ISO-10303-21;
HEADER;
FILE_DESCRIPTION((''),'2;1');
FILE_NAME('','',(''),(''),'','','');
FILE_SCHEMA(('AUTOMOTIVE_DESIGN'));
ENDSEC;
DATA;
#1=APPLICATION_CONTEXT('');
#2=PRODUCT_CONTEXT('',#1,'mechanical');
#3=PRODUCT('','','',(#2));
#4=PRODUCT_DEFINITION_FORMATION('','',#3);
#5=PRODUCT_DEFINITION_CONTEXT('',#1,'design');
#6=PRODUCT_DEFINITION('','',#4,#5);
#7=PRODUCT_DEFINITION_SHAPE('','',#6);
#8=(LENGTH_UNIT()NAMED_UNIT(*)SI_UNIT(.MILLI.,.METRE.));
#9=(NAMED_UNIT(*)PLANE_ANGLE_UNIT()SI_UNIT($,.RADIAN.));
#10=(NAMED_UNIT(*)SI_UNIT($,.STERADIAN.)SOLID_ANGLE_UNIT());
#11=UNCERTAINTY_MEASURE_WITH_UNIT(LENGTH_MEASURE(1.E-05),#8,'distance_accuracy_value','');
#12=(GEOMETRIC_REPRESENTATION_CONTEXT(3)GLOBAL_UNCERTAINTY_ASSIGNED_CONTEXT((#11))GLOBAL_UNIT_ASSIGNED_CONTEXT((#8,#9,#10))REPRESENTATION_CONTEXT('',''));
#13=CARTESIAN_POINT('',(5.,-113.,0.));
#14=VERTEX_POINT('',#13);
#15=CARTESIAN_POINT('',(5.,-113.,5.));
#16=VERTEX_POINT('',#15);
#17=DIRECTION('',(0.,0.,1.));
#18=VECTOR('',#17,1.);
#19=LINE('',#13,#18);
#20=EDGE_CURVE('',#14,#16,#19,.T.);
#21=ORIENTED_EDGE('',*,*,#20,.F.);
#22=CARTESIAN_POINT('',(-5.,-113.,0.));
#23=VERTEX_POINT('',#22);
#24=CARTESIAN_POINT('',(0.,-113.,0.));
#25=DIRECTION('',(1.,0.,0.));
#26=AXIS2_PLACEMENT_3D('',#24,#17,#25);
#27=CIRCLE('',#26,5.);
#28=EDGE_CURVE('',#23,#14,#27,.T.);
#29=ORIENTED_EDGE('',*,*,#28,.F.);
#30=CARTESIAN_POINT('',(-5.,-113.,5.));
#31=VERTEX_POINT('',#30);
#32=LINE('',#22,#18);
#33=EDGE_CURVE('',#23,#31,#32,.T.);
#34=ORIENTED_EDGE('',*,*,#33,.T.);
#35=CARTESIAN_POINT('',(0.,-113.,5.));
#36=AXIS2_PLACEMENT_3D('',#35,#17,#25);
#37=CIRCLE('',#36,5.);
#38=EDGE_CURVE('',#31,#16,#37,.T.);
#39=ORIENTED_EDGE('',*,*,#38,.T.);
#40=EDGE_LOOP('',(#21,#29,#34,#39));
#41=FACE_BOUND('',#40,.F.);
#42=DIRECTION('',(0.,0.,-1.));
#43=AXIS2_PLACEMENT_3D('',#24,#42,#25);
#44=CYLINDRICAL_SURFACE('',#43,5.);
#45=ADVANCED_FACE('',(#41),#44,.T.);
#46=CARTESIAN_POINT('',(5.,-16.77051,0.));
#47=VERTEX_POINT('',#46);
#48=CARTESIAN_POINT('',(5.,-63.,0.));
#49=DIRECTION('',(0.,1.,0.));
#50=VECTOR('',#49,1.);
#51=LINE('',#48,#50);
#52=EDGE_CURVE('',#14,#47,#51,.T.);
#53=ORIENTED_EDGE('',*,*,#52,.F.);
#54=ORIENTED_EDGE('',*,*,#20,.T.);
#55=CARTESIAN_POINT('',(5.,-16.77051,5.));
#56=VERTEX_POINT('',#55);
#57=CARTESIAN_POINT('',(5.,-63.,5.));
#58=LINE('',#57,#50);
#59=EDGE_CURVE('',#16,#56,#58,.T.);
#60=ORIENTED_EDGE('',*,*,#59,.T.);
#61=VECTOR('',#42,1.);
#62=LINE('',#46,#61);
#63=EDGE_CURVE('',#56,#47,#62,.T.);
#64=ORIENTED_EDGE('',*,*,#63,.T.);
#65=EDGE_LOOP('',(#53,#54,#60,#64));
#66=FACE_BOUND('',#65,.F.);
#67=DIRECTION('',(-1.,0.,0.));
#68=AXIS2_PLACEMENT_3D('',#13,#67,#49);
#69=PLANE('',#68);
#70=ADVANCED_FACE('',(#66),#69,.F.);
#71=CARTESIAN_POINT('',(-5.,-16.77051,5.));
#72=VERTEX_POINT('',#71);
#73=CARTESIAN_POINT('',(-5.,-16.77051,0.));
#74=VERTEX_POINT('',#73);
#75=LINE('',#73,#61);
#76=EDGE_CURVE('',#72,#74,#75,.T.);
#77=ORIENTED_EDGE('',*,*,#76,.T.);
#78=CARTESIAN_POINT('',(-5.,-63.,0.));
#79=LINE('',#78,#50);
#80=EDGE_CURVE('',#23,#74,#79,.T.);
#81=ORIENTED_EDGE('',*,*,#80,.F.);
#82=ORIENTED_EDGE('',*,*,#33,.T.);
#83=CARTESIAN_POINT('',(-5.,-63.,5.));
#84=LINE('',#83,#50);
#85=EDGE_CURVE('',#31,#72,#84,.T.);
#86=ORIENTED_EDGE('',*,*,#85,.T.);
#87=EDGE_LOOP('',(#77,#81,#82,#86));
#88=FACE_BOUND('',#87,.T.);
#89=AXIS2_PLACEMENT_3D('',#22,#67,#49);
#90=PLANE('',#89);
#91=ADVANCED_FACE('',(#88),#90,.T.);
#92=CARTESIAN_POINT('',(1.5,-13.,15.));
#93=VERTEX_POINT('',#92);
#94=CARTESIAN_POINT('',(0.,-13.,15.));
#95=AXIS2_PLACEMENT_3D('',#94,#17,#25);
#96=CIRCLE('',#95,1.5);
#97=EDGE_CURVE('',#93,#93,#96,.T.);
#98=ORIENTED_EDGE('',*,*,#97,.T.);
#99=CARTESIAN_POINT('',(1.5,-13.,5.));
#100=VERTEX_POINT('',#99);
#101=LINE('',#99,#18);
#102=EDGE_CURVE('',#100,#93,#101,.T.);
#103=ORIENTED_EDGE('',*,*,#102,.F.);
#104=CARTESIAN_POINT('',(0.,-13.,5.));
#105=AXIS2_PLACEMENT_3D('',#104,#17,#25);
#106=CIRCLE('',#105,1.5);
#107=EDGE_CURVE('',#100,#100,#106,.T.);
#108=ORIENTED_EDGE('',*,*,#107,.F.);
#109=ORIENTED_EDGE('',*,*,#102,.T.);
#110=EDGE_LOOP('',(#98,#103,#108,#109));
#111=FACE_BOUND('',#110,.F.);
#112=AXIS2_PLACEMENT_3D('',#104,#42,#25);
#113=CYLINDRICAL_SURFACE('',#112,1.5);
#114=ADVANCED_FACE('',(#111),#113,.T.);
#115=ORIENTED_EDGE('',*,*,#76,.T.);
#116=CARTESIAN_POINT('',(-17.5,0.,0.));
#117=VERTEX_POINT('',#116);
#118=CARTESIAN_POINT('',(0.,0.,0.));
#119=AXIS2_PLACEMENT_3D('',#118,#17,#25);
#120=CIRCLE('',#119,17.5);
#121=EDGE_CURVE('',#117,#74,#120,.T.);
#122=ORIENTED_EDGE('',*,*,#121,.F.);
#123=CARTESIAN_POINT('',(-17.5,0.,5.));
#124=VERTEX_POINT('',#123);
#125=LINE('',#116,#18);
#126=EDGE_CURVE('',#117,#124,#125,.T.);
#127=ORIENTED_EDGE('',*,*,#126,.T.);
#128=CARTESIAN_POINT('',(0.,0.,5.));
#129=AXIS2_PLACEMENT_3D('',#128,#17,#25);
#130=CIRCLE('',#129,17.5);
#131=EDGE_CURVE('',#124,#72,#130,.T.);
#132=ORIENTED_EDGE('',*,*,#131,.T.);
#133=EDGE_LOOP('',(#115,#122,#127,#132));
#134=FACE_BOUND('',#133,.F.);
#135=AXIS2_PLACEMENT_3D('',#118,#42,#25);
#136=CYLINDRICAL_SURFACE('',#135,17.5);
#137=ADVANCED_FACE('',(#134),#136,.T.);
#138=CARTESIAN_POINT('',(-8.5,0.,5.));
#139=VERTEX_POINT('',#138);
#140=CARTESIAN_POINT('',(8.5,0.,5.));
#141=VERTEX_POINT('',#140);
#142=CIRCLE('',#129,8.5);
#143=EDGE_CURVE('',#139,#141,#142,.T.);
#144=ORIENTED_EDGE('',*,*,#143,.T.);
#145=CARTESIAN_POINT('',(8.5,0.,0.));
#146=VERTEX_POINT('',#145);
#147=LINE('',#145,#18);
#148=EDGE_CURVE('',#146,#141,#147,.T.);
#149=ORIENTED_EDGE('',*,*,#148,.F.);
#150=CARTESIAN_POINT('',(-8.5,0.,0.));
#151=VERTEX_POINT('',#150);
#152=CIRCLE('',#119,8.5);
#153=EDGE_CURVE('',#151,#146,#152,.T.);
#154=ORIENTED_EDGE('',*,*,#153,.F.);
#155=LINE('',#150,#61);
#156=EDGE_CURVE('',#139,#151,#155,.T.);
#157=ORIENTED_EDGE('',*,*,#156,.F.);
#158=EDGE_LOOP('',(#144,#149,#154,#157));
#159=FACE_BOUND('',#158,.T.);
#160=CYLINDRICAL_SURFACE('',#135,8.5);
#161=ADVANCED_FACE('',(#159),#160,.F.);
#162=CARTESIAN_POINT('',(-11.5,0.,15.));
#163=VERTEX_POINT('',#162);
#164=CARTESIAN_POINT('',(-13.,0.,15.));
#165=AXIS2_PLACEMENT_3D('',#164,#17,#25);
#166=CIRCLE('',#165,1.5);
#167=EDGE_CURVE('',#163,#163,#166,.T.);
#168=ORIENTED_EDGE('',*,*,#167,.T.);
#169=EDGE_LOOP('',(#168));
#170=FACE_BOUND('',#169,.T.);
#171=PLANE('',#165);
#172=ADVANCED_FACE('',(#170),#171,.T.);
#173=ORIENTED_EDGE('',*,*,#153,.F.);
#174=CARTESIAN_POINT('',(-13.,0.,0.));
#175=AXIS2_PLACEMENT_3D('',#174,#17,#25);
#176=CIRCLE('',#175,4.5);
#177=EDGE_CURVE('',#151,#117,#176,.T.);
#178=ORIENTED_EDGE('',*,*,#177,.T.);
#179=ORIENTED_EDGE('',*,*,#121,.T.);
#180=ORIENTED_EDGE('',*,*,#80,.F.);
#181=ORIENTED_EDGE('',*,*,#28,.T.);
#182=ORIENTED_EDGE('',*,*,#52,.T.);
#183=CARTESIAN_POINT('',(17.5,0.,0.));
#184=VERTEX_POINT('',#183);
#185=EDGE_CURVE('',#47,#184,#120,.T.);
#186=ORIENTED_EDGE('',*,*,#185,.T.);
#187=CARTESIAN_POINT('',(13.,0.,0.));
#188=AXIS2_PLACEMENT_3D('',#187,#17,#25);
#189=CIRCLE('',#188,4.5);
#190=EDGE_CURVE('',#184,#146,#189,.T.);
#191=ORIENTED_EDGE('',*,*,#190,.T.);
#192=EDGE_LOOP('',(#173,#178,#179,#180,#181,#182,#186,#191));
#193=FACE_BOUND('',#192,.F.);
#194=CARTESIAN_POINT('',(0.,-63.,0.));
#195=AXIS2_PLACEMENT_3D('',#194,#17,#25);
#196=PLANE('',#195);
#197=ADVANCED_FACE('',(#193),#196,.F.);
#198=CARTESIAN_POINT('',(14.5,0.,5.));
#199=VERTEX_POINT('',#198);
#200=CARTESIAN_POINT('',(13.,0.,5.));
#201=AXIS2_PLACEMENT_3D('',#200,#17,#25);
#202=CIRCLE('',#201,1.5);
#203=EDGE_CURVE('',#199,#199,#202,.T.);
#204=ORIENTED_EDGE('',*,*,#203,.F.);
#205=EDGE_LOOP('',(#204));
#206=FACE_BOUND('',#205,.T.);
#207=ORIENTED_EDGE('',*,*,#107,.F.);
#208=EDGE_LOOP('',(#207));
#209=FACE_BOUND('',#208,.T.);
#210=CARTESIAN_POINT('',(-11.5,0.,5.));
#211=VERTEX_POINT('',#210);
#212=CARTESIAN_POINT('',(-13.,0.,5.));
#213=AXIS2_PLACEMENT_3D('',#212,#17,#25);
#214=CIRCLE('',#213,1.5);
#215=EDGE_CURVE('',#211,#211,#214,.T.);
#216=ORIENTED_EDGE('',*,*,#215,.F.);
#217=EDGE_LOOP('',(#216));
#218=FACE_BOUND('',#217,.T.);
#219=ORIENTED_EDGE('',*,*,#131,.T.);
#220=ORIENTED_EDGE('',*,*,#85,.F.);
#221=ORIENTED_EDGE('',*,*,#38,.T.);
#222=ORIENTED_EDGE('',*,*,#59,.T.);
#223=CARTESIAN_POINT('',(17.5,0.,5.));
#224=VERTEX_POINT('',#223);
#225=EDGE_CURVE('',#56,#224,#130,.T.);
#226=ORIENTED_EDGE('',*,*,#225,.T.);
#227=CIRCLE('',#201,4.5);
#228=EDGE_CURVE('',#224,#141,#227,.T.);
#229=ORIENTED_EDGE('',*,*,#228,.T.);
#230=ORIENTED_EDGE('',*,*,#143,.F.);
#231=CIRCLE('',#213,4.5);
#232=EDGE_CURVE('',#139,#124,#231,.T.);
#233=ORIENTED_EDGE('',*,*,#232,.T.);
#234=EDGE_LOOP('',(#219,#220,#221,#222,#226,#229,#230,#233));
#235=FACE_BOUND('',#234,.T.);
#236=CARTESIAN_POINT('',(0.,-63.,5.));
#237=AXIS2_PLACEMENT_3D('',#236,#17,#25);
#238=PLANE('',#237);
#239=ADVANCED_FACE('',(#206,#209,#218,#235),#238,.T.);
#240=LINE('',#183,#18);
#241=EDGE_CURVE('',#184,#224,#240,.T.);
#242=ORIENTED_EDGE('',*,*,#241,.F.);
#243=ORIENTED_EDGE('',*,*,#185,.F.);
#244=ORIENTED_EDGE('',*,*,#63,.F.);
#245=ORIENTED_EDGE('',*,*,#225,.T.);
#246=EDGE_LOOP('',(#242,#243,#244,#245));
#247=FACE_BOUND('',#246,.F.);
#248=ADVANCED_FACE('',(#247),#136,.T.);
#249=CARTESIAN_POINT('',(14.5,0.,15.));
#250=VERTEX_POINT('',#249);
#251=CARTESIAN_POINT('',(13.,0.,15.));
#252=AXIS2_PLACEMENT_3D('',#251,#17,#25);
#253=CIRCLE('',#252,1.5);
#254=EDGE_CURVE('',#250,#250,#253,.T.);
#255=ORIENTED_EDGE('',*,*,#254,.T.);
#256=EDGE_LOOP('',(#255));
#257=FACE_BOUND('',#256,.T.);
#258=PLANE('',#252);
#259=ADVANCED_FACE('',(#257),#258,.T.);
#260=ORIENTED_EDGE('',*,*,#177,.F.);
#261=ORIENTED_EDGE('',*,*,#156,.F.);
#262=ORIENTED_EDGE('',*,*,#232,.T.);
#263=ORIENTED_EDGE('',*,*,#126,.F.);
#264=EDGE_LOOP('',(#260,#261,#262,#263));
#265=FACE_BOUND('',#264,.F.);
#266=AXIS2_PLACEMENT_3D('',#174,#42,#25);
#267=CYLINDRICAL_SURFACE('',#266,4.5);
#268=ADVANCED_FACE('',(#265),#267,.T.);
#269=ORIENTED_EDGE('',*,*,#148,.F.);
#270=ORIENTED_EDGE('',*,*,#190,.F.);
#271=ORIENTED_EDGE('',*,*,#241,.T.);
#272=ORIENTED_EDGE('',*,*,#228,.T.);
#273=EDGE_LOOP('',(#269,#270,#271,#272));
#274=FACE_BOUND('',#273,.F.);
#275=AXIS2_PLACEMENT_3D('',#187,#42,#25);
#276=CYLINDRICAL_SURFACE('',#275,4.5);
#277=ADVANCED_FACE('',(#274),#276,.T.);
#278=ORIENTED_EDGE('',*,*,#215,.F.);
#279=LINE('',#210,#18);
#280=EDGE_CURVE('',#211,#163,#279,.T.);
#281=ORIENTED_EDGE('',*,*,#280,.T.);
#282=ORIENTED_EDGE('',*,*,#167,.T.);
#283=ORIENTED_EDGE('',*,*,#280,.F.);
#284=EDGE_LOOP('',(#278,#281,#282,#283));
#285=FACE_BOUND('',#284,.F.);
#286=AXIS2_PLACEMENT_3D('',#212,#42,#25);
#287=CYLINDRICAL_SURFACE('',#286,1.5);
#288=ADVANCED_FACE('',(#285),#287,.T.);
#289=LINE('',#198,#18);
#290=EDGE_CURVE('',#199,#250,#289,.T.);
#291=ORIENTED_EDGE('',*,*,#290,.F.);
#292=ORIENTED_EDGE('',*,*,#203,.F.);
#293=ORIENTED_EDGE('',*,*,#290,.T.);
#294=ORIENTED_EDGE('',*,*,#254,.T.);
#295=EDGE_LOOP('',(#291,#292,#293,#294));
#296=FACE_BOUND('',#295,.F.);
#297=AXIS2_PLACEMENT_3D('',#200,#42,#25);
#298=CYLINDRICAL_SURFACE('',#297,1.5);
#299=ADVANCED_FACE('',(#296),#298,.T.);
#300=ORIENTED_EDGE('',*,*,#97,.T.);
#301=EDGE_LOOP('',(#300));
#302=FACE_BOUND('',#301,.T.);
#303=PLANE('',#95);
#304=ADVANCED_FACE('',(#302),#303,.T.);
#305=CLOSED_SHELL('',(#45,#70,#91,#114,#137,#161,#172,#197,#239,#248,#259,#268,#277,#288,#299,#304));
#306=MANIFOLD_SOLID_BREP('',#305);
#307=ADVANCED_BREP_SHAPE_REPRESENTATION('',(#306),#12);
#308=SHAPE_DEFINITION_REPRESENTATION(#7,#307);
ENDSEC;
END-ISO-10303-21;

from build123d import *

# Parameters (mm, degrees)
BOX001_W          = 10
BOX001_H          = 100
BOX001_DEPTH      = 5
CYLINDER004_R     = 1.5
CYLINDER004_DEPTH = 10
CYLINDER005_R     = 1.5
CYLINDER005_DEPTH = 10
CYLINDER006_R     = 1.5
CYLINDER006_DEPTH = 10
CYLINDER007_R     = 5
CYLINDER007_DEPTH = 5
CYLINDER002_R     = 4.5
CYLINDER002_DEPTH = 5
CYLINDER003_R     = 4.5
CYLINDER003_DEPTH = 5
BOX_W             = 35
BOX_H             = 30.5
BOX_DEPTH         = 5
CYLINDER_R        = 8.5
CYLINDER_DEPTH    = 5
CYLINDER001_R     = 17.5
CYLINDER001_DEPTH = 5


with BuildPart() as cube001:
    # Box001 → Box001 (new body)
    with BuildSketch(Plane(origin=(-5, -113, 0), x_dir=(1, 0, 0), z_dir=(0, 0, 1))):
        with Locations((5, 50)):
            Rectangle(BOX001_W, BOX001_H)
    extrude(amount=BOX001_DEPTH)


with BuildPart() as cylinder004:
    # Cylinder004 → Cylinder004 (new body)
    with BuildSketch(Plane(origin=(0, -13, 5), x_dir=(1, 0, 0), z_dir=(0, 0, 1))):
        Circle(CYLINDER004_R)
    extrude(amount=CYLINDER004_DEPTH)


with BuildPart() as cylinder005:
    # Cylinder005 → Cylinder005 (new body)
    with BuildSketch(Plane(origin=(13, 0, 5), x_dir=(1, 0, 0), z_dir=(0, 0, 1))):
        Circle(CYLINDER005_R)
    extrude(amount=CYLINDER005_DEPTH)


with BuildPart() as cylinder006:
    # Cylinder006 → Cylinder006 (new body)
    with BuildSketch(Plane(origin=(-13, 0, 5), x_dir=(1, 0, 0), z_dir=(0, 0, 1))):
        Circle(CYLINDER006_R)
    extrude(amount=CYLINDER006_DEPTH)


with BuildPart() as cylinder007:
    # Cylinder007 → Cylinder007 (new body)
    with BuildSketch(Plane(origin=(0, -113, 0), x_dir=(1, 0, 0), z_dir=(0, 0, 1))):
        Circle(CYLINDER007_R)
    extrude(amount=CYLINDER007_DEPTH)


with BuildPart() as cylinder002:
    # Cylinder002 → Cylinder002 (new body)
    with BuildSketch(Plane(origin=(13, 0, 0), x_dir=(1, 0, 0), z_dir=(0, 0, 1))):
        Circle(CYLINDER002_R)
    extrude(amount=CYLINDER002_DEPTH)


with BuildPart() as cylinder003:
    # Cylinder003 → Cylinder003 (new body)
    with BuildSketch(Plane(origin=(-13, 0, 0), x_dir=(1, 0, 0), z_dir=(0, 0, 1))):
        Circle(CYLINDER003_R)
    extrude(amount=CYLINDER003_DEPTH)


with BuildPart() as cube:
    # Box → Box (new body)
    with BuildSketch(Plane(origin=(-17.5, 0, 0), x_dir=(1, 0, 0), z_dir=(0, 0, 1))):
        with Locations((17.5, 15.25)):
            Rectangle(BOX_W, BOX_H)
    extrude(amount=BOX_DEPTH)


with BuildPart() as cylinder:
    # Cylinder → Cylinder (new body)
    with BuildSketch(Plane.XY):
        Circle(CYLINDER_R)
    extrude(amount=CYLINDER_DEPTH)


with BuildPart() as xl30wehneltwrench:
    # Cylinder001 → Cylinder001 (new body)
    with BuildSketch(Plane.XY):
        Circle(CYLINDER001_R)
    extrude(amount=CYLINDER001_DEPTH)

    # Cut: cut Cylinder
    add(cylinder.part, mode=Mode.SUBTRACT)

    # Cut001: cut Cube
    add(cube.part, mode=Mode.SUBTRACT)

    # Fusion: union Cylinder002, Cylinder003
    add(cylinder002.part)
    add(cylinder003.part)

    # Fusion001: union Cube001, Cylinder004, Cylinder005, Cylinder006, Cylinder007
    add(cube001.part)
    add(cylinder004.part)
    add(cylinder005.part)
    add(cylinder006.part)
    add(cylinder007.part)


solid = xl30wehneltwrench.part
